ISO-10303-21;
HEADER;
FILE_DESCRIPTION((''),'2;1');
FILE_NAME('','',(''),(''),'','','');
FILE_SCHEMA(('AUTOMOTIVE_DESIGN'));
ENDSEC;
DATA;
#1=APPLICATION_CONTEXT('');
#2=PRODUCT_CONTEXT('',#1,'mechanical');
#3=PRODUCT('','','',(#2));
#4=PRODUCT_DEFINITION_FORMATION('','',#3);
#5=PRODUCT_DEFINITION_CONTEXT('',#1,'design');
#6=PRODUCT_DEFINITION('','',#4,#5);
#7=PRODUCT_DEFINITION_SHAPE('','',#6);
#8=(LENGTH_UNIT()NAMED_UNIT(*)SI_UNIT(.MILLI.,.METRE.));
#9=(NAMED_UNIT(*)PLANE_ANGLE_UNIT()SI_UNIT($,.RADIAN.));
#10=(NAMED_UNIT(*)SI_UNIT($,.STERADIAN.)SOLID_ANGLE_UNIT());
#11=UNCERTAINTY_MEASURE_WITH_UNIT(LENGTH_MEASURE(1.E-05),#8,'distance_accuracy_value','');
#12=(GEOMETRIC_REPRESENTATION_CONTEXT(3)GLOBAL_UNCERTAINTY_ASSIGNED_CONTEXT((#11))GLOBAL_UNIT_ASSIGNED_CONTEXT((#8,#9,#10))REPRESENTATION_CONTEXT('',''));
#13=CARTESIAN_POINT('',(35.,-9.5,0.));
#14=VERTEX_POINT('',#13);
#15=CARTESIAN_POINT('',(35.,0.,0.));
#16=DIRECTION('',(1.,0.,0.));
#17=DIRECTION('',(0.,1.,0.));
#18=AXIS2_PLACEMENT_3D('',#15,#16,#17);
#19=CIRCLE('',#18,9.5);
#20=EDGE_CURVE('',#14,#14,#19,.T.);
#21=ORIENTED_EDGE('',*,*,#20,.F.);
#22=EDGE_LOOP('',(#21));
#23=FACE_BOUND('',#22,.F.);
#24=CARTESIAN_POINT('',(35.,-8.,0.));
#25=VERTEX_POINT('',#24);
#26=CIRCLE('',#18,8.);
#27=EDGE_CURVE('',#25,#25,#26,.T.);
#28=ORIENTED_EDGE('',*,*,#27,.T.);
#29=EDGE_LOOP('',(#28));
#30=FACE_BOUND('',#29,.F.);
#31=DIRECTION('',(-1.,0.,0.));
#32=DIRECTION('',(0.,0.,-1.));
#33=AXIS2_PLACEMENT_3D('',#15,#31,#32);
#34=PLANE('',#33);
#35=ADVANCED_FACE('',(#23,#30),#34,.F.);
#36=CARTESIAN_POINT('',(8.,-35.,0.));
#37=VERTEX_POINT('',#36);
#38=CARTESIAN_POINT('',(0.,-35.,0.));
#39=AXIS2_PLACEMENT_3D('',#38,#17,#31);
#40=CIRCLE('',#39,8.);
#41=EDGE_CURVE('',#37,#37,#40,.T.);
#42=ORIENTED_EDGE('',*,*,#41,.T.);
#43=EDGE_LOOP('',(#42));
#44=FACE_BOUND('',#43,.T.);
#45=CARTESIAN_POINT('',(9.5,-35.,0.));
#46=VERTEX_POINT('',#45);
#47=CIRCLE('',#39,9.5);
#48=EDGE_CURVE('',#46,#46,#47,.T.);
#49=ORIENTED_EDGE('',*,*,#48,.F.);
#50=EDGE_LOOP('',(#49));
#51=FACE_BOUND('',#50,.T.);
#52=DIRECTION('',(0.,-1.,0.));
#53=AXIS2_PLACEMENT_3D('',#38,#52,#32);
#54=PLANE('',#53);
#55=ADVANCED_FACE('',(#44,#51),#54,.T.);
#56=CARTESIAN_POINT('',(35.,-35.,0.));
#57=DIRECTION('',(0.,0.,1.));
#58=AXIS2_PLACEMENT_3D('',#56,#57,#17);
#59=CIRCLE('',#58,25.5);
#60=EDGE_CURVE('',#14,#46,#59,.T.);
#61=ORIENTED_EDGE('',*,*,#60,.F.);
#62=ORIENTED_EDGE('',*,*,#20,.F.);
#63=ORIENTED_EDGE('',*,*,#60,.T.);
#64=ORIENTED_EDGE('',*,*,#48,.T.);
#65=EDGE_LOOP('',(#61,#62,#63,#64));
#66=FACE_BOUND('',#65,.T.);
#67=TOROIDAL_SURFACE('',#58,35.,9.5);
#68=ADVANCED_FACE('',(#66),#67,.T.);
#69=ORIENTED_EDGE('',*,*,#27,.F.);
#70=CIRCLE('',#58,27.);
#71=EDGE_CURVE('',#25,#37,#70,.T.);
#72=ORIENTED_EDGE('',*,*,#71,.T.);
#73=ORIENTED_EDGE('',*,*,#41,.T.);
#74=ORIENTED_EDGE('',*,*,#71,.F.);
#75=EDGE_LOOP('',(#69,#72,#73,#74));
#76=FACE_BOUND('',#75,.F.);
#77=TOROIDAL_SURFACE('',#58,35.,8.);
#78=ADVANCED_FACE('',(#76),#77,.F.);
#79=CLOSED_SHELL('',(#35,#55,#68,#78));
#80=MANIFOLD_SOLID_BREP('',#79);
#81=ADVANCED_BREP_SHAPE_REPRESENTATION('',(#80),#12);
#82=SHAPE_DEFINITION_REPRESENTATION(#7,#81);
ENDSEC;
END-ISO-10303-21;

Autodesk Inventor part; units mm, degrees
ref_plane "YZ Plane" through (0, 0, 0) normal (1, 0, 0) x (0, 1, 0)
ref_plane "XZ Plane" through (0, 0, 0) normal (0, 1, 0) x (-1, 0, 0)
sketch "Szkic6" plane through (0, 0, 0) normal (0, 0, 1) x (1, 0, 0)
  line L0 (-29.6067, 0) -> (35.2678, 0) construction
  line L1 (0, 42.3419) -> (0, -58.3726) construction
  arc A0 (35, 0) -> (0, -35) centre (35, -35) ccw
  line L2 (0, -35) -> (35, -35) construction
  line L3 (35, -35) -> (35, 30.5331) construction
  line L4 (35, 0) -> (35, 0)
  line L5 (0, -35) -> (0, -35)
  point P0 (0, 0)
  dimension "d24" = 35
  dimension "d31" = 90
  dimension "d36" = 0
  dimension "d37" = 0
ref_plane "Płaszczyzna konstrukcyjna2" through (0, -35, 0) normal (0, -1, 0) x (1, 0, 0)
sketch "Szkic8" plane through (0, -35, 0) normal (0, -1, 0) x (1, 0, 0)
  circle A0 centre (0, 0) radius 9.5
  circle A1 centre (0, 0) radius 8
  dimension "d32" = 19
  dimension "d33" = 1.5
sweep "Przeciągnięcie2" add profiles "Szkic8" path "Szkic6"
equation "\"d32\" = OD"
equation "\"d33\" = THK"
equation "\"d24\" = R"
equation "\"d31\" = KAT"
equation "\"SzerokośćGięciaPodcięcia\" = Grubość"
equation "\"RozmiarPodcięciaNarożnika\" = 4 * Grubość"
equation "\"PromieńPrzejścia\" = PromieńGięcia"
equation "\"Rozmiar_promienia_Jacobiego\" = PromieńGięcia"
equation "\"Wielk_odstępu\" = Grubość"
equation "\"d2\" = PromieńGięcia"
equation "\"d23\" = PromieńGięcia"
equation "\"R\" = 35"
equation "\"OD\" = 19"
equation "\"THK\" = 1.5"
equation "\"KAT\" = 90deg"
equation "\"PROSTKA\" = 0"
equation "\"Grubość\" = 1.5"
equation "\"PromieńGięcia\" = 3"
properties part number "Kolano 90° ø19x1,5 R35" material "304L"
